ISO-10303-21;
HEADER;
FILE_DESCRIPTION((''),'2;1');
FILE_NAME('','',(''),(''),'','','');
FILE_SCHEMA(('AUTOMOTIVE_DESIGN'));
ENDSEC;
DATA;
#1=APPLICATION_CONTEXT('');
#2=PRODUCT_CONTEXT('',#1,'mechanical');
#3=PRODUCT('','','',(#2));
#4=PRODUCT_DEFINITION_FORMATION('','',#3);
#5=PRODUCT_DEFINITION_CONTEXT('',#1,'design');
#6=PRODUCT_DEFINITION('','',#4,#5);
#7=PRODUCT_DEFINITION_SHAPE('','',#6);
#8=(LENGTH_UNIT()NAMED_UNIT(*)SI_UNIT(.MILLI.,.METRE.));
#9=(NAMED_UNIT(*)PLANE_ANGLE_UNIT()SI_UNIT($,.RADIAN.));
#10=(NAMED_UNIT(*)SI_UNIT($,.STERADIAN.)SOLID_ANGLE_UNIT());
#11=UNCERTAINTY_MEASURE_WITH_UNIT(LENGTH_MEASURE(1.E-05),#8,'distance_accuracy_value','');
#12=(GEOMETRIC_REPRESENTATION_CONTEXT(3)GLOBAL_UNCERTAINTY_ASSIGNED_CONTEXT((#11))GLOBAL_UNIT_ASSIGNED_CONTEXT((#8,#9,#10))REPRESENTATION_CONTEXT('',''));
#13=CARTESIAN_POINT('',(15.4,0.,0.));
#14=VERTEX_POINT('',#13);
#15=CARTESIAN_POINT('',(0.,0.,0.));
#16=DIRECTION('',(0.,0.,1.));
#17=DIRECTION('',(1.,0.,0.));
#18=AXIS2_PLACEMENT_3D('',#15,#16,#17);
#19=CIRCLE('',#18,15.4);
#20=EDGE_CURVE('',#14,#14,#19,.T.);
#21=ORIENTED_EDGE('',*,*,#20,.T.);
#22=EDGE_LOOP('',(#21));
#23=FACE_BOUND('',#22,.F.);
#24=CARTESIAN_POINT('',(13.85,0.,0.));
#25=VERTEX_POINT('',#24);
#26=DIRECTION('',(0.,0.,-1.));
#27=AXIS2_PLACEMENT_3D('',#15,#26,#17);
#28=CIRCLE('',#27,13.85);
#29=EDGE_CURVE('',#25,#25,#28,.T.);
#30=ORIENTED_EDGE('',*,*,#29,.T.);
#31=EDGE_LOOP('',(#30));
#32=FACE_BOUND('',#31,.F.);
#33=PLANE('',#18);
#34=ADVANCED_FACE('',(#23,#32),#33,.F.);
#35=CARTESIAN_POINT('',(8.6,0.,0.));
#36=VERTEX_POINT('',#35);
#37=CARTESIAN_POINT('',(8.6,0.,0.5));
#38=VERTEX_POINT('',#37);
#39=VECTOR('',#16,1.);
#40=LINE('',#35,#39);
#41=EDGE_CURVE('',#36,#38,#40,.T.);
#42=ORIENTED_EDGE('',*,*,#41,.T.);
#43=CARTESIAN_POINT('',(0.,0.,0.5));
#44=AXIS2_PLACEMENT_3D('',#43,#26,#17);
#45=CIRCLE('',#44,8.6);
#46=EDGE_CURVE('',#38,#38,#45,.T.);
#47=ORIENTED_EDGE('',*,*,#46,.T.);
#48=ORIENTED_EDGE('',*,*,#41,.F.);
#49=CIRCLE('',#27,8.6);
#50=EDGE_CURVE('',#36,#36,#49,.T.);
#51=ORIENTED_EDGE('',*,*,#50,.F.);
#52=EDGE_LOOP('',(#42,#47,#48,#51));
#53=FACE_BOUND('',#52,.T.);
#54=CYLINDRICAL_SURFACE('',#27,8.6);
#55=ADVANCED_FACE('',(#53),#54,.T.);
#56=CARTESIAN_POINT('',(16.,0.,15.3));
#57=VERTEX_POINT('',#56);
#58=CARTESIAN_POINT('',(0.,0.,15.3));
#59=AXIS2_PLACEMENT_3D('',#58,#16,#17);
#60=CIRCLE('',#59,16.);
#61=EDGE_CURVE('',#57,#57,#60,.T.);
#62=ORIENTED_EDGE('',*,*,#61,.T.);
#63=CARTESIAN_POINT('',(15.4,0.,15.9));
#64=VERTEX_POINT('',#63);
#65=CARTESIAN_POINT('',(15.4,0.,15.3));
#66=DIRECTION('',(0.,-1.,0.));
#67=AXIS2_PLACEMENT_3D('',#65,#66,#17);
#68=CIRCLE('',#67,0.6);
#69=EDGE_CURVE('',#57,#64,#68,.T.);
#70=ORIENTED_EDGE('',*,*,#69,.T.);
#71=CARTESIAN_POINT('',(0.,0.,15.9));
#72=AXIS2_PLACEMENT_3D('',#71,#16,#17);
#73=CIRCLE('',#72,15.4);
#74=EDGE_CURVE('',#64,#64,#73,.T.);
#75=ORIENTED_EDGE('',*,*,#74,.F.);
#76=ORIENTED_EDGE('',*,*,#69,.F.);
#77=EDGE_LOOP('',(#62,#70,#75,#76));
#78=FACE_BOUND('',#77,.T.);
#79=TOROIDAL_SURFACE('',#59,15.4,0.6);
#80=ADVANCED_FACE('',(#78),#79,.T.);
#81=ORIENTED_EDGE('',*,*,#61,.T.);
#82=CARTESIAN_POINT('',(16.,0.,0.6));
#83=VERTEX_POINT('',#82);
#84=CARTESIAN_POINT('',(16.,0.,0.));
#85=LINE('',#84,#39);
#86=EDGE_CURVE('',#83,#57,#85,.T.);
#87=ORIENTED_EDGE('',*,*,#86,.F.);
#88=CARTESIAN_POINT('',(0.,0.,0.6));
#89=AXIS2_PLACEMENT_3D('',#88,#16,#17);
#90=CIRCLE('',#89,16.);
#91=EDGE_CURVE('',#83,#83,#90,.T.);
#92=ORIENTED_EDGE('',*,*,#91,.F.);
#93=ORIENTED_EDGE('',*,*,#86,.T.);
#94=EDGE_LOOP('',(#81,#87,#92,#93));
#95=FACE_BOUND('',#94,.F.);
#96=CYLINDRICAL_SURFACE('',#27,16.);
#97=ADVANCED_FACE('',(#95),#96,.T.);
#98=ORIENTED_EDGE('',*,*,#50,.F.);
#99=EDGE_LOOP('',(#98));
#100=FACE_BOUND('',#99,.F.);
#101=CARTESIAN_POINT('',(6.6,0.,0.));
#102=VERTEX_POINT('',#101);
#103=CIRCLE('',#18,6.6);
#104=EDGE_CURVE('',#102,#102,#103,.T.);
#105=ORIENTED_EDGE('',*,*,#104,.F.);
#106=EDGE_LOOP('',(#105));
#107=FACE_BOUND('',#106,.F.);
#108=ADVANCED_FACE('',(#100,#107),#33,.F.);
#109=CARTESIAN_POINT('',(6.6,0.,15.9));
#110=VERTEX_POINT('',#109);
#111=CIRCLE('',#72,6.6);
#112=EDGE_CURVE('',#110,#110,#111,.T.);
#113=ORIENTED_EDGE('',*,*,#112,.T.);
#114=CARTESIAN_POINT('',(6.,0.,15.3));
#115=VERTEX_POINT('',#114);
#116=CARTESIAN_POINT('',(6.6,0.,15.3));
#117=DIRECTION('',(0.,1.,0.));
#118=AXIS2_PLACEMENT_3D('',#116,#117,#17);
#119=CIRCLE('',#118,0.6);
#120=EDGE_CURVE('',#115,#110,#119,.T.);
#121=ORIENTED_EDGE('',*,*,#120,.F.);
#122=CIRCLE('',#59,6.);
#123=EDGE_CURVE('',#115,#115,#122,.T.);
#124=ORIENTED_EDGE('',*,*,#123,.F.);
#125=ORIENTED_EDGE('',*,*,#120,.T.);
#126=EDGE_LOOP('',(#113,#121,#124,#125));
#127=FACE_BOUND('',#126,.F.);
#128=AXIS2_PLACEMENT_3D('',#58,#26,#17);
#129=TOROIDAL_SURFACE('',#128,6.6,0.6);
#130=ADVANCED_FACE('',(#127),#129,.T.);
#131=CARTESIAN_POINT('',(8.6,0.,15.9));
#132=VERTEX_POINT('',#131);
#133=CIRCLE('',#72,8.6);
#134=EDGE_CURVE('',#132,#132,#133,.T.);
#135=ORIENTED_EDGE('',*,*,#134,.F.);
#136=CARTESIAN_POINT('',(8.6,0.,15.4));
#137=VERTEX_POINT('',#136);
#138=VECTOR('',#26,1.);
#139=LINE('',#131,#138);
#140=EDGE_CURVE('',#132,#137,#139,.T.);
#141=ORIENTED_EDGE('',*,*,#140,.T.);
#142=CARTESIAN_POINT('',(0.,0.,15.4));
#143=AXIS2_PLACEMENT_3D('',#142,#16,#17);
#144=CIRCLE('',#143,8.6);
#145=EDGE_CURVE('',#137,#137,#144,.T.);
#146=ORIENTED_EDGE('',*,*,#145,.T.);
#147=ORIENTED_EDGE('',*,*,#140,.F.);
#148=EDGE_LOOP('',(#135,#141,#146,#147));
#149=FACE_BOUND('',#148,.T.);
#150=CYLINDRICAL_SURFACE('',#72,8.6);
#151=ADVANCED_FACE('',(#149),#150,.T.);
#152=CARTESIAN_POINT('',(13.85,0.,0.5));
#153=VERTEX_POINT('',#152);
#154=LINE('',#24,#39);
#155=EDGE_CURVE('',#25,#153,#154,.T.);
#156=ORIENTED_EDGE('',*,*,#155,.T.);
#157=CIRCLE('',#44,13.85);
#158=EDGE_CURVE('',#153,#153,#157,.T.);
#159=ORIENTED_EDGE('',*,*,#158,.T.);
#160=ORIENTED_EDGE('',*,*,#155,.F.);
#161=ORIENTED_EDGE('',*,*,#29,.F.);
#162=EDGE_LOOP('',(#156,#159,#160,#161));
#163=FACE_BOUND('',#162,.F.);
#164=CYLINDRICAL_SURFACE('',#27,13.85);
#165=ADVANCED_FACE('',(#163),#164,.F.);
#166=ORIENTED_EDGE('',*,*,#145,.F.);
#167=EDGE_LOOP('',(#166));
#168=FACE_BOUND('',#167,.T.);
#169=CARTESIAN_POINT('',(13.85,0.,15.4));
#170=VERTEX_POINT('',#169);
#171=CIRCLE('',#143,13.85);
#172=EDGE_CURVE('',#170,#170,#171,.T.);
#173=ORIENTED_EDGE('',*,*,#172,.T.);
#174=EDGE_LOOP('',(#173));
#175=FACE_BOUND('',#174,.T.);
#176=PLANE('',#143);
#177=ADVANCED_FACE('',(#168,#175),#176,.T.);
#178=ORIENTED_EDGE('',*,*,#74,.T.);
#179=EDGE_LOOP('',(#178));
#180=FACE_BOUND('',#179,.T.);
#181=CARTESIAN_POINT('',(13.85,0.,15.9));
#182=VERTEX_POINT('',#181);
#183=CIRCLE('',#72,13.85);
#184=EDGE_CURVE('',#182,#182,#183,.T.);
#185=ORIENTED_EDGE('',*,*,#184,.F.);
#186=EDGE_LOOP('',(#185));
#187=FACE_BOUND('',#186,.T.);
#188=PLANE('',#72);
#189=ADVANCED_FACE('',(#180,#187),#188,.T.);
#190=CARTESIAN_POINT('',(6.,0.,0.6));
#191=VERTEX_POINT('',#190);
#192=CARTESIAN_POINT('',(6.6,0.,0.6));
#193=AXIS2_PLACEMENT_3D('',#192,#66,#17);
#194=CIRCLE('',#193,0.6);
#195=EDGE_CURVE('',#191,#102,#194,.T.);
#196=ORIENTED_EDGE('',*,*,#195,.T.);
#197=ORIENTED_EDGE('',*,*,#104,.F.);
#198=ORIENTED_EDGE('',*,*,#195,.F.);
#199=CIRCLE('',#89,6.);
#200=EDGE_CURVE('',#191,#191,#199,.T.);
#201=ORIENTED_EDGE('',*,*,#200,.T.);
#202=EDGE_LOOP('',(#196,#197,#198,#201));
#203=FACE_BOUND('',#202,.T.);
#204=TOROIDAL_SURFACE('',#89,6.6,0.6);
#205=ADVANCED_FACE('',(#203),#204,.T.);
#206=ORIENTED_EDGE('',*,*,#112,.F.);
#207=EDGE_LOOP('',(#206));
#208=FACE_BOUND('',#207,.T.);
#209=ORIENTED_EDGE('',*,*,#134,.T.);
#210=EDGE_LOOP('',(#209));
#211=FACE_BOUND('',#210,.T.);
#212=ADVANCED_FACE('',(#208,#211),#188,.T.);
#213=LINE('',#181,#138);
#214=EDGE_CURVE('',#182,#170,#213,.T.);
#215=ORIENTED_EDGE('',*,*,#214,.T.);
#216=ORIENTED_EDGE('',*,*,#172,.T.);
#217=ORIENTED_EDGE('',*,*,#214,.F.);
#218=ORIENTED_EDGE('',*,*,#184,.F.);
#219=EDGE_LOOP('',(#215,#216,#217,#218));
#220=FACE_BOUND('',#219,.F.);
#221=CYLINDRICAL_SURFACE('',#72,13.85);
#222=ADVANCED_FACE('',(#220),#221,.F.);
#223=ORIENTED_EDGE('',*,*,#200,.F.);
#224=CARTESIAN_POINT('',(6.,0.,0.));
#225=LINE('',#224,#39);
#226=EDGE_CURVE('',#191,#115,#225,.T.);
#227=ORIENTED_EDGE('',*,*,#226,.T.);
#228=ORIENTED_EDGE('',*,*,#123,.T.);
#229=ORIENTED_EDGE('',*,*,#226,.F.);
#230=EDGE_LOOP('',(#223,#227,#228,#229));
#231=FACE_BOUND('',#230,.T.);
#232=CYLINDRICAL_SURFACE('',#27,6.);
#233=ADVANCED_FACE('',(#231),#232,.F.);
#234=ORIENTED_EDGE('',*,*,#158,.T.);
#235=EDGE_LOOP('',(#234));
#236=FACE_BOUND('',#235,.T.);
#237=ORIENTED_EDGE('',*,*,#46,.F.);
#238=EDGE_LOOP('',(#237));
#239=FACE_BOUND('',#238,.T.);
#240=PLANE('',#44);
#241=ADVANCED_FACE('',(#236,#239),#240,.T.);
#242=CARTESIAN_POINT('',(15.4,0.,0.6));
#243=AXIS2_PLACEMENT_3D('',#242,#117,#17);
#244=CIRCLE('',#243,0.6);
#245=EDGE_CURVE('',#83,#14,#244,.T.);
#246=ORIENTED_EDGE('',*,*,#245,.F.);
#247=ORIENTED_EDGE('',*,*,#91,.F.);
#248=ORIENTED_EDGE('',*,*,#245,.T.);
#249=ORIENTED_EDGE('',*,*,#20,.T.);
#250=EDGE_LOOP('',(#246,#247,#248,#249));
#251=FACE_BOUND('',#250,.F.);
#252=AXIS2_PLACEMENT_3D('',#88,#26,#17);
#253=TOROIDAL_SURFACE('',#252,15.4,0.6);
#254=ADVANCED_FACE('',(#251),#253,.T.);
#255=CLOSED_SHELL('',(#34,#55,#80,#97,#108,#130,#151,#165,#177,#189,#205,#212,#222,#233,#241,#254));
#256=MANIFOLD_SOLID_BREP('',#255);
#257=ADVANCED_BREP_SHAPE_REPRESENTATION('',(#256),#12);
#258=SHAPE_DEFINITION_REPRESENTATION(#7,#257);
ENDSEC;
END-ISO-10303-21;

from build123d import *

# Parameters (mm, degrees)
F0_R     = 16
F0_R_2   = 6
F1_DEPTH = 15.9
F2_R     = 0.6
F3_R     = 13.85
F3_R_2   = 8.6
F4_DEPTH = 0.5
F5_R     = 13.85
F5_R_2   = 8.6
F6_DEPTH = 0.5


with BuildPart() as f1:
    # F0 (on Top) → F1 (new body)
    with BuildSketch(Plane.XY):
        Circle(F0_R)
        Circle(F0_R_2, mode=Mode.SUBTRACT)
    extrude(amount=F1_DEPTH)

    # F2
    f2_edges = [f1.edges().sort_by_distance(p)[0] for p in [
        (6, 0, 7.95),
        (-6, 0, 0),
        (-6, 0, 15.9),
        (16, 0, 7.95),
        (-16, 0, 0),
        (-16, 0, 15.9),
    ]]
    fillet(f2_edges, radius=F2_R)

    # F3 (on face) → F4 (cut)
    with BuildSketch(Plane.XY.offset(15.9)):
        Circle(F3_R)
        Circle(F3_R_2, mode=Mode.SUBTRACT)
    extrude(amount=-F4_DEPTH, mode=Mode.SUBTRACT)

    # F5 (on face) → F6 (cut)
    with BuildSketch(Plane(origin=(0, 0, 0), x_dir=(1, 0, 0), z_dir=(0, 0, -1))):
        Circle(F5_R)
        Circle(F5_R_2, mode=Mode.SUBTRACT)
    extrude(amount=-F6_DEPTH, mode=Mode.SUBTRACT)


solid = f1.part
